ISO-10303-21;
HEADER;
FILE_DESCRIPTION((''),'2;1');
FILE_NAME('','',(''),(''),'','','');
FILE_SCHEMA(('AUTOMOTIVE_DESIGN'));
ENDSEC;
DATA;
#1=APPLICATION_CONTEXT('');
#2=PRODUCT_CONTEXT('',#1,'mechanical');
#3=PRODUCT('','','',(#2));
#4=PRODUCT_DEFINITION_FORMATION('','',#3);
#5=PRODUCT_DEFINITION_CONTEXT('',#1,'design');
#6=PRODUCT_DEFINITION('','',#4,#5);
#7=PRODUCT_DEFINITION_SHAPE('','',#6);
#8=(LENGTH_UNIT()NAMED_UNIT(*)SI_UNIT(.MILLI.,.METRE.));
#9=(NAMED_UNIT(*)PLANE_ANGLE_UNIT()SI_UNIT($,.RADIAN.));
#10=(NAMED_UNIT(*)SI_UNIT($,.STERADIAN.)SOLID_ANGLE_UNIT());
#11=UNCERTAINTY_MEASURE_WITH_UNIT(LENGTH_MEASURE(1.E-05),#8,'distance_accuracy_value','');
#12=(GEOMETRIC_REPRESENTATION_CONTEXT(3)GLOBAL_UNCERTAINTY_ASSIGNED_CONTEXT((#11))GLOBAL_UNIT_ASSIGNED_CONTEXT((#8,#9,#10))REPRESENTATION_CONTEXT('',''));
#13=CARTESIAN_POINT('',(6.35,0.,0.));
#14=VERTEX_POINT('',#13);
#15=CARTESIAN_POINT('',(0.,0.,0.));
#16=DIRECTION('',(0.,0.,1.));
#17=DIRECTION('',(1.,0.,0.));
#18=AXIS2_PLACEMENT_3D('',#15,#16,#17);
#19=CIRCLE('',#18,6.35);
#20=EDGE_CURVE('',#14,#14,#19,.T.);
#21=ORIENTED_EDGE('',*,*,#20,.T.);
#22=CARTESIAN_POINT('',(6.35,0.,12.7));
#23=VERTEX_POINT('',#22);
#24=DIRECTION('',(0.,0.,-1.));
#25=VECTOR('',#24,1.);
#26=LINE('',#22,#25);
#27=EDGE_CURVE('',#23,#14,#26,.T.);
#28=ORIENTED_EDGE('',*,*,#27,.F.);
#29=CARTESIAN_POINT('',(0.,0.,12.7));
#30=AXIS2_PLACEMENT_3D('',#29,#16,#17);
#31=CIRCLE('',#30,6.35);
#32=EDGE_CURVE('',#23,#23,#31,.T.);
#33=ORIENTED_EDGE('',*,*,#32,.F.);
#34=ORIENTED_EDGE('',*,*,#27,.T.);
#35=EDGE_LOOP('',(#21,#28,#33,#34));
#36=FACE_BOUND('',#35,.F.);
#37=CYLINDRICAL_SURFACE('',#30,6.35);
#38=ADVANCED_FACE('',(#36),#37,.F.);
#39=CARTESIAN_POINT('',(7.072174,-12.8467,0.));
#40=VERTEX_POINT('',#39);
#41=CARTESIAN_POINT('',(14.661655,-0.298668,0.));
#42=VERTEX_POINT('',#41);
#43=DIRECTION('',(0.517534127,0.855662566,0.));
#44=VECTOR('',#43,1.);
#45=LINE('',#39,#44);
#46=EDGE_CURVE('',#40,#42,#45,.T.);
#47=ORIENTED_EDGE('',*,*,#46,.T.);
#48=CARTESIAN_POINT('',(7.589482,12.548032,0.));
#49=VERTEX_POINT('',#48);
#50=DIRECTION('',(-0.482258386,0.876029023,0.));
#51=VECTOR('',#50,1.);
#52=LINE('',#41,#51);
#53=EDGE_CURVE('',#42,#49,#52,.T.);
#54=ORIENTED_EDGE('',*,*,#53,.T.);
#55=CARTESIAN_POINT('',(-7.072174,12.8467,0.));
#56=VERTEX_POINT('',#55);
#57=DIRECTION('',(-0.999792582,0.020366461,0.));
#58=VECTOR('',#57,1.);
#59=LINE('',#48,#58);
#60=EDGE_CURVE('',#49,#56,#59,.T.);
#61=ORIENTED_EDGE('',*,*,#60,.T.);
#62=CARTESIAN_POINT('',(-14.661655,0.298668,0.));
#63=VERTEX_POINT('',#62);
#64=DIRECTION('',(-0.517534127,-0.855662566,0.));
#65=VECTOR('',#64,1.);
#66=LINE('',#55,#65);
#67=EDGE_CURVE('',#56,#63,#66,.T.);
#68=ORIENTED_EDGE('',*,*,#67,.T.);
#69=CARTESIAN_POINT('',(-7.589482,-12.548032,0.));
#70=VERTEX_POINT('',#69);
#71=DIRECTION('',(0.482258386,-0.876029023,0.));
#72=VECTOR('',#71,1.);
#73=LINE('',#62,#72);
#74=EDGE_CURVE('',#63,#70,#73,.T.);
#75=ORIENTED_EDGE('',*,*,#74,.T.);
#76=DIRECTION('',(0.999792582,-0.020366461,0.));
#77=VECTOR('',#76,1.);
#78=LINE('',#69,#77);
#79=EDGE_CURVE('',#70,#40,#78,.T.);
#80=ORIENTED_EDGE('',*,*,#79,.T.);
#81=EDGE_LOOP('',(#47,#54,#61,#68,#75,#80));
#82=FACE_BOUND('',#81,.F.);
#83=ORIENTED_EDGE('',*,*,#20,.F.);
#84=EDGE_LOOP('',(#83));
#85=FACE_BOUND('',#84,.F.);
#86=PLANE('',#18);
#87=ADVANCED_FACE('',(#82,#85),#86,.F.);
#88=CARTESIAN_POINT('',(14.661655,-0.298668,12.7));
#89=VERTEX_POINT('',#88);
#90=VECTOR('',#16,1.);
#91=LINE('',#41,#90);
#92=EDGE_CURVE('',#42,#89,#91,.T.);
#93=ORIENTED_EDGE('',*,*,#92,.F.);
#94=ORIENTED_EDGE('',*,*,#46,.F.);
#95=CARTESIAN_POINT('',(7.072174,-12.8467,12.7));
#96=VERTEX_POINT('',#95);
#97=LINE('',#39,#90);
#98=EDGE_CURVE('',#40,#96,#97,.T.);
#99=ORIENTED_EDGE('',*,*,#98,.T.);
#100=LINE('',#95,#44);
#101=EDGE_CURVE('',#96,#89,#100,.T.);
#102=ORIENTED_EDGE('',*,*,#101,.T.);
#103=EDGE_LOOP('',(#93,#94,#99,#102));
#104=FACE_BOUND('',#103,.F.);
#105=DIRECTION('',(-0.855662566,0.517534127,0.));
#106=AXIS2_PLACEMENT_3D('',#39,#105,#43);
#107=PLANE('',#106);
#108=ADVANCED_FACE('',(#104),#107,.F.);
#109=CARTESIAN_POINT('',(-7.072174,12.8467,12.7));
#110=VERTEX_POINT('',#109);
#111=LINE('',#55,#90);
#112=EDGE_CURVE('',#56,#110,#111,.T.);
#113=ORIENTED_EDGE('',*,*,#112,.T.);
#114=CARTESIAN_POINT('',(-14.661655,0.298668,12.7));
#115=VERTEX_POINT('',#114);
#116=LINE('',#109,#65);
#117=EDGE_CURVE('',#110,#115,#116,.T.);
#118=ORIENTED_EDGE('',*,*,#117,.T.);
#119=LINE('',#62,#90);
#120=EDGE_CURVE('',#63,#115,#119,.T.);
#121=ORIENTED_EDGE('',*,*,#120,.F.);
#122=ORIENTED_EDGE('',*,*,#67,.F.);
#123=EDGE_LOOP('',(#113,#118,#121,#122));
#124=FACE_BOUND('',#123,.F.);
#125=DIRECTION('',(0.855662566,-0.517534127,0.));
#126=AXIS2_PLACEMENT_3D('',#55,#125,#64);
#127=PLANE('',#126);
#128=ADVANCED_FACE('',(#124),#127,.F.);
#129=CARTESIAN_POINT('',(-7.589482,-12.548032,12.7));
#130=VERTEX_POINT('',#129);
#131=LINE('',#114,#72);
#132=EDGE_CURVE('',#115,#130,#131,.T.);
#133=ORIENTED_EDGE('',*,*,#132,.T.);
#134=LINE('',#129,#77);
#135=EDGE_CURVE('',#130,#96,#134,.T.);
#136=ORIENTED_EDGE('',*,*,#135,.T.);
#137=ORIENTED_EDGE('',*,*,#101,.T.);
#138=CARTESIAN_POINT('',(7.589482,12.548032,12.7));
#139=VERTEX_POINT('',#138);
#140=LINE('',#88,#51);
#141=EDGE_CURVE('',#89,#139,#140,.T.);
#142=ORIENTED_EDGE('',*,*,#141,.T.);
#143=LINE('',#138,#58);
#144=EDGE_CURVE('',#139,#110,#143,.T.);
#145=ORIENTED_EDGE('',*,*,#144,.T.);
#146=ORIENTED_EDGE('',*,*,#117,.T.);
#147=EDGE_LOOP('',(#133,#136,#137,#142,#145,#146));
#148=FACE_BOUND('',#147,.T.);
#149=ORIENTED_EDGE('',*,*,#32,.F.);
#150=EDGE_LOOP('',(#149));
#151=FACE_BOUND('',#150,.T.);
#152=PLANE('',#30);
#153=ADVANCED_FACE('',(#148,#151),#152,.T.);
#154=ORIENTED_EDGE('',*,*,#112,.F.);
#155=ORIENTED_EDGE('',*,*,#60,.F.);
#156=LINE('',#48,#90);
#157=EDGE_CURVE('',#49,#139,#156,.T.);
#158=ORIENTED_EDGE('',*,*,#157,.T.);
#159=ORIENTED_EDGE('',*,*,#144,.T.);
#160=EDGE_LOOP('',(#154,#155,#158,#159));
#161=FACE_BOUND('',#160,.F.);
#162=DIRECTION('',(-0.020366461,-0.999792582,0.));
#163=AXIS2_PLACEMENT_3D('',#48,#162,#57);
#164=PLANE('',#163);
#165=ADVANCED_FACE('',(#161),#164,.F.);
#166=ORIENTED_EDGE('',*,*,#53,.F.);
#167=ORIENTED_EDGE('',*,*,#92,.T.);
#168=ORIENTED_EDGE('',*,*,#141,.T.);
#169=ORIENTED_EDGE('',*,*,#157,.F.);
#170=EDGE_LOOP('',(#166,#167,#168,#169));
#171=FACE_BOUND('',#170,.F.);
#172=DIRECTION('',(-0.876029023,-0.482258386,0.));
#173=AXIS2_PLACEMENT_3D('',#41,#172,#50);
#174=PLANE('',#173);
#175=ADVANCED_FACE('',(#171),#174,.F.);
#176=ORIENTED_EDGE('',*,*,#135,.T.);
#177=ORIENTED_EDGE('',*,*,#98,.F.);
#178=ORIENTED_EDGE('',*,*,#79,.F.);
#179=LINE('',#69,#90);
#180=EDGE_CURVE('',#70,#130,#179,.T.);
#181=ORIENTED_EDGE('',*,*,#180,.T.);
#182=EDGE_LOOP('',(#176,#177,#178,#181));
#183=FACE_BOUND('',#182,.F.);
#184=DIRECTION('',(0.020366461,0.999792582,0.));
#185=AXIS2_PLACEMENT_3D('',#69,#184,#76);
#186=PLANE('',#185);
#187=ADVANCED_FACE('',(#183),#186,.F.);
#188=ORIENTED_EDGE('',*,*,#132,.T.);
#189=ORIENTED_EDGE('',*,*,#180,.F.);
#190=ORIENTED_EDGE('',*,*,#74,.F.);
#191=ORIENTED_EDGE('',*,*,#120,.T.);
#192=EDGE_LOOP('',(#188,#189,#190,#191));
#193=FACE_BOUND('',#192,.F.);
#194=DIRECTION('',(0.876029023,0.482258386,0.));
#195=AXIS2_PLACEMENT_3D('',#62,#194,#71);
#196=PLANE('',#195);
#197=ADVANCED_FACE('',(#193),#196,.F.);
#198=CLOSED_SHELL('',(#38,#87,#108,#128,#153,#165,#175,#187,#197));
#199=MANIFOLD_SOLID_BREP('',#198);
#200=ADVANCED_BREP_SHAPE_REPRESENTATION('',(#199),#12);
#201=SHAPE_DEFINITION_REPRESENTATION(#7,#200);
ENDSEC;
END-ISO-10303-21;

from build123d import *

# Parameters (mm, degrees)
F1_DEPTH = 12.7
F2_R     = 6.35
F3_DEPTH = 12.701


with BuildPart() as f1:
    # F0 (on Top) → F1 (new body)
    with BuildSketch(Plane.XY):
        Polygon((14.661655, -0.298668), (7.589482, 12.548032), (-7.072174, 12.8467), (-14.661655, 0.298668), (-7.589482, -12.548032), (7.072174, -12.8467), align=None)
    extrude(amount=F1_DEPTH)

    # F2 (on face) → F3 (cut, through all)
    with BuildSketch(Plane.XY.offset(12.7)):
        Circle(F2_R)
    extrude(amount=-F3_DEPTH, mode=Mode.SUBTRACT)


solid = f1.part
